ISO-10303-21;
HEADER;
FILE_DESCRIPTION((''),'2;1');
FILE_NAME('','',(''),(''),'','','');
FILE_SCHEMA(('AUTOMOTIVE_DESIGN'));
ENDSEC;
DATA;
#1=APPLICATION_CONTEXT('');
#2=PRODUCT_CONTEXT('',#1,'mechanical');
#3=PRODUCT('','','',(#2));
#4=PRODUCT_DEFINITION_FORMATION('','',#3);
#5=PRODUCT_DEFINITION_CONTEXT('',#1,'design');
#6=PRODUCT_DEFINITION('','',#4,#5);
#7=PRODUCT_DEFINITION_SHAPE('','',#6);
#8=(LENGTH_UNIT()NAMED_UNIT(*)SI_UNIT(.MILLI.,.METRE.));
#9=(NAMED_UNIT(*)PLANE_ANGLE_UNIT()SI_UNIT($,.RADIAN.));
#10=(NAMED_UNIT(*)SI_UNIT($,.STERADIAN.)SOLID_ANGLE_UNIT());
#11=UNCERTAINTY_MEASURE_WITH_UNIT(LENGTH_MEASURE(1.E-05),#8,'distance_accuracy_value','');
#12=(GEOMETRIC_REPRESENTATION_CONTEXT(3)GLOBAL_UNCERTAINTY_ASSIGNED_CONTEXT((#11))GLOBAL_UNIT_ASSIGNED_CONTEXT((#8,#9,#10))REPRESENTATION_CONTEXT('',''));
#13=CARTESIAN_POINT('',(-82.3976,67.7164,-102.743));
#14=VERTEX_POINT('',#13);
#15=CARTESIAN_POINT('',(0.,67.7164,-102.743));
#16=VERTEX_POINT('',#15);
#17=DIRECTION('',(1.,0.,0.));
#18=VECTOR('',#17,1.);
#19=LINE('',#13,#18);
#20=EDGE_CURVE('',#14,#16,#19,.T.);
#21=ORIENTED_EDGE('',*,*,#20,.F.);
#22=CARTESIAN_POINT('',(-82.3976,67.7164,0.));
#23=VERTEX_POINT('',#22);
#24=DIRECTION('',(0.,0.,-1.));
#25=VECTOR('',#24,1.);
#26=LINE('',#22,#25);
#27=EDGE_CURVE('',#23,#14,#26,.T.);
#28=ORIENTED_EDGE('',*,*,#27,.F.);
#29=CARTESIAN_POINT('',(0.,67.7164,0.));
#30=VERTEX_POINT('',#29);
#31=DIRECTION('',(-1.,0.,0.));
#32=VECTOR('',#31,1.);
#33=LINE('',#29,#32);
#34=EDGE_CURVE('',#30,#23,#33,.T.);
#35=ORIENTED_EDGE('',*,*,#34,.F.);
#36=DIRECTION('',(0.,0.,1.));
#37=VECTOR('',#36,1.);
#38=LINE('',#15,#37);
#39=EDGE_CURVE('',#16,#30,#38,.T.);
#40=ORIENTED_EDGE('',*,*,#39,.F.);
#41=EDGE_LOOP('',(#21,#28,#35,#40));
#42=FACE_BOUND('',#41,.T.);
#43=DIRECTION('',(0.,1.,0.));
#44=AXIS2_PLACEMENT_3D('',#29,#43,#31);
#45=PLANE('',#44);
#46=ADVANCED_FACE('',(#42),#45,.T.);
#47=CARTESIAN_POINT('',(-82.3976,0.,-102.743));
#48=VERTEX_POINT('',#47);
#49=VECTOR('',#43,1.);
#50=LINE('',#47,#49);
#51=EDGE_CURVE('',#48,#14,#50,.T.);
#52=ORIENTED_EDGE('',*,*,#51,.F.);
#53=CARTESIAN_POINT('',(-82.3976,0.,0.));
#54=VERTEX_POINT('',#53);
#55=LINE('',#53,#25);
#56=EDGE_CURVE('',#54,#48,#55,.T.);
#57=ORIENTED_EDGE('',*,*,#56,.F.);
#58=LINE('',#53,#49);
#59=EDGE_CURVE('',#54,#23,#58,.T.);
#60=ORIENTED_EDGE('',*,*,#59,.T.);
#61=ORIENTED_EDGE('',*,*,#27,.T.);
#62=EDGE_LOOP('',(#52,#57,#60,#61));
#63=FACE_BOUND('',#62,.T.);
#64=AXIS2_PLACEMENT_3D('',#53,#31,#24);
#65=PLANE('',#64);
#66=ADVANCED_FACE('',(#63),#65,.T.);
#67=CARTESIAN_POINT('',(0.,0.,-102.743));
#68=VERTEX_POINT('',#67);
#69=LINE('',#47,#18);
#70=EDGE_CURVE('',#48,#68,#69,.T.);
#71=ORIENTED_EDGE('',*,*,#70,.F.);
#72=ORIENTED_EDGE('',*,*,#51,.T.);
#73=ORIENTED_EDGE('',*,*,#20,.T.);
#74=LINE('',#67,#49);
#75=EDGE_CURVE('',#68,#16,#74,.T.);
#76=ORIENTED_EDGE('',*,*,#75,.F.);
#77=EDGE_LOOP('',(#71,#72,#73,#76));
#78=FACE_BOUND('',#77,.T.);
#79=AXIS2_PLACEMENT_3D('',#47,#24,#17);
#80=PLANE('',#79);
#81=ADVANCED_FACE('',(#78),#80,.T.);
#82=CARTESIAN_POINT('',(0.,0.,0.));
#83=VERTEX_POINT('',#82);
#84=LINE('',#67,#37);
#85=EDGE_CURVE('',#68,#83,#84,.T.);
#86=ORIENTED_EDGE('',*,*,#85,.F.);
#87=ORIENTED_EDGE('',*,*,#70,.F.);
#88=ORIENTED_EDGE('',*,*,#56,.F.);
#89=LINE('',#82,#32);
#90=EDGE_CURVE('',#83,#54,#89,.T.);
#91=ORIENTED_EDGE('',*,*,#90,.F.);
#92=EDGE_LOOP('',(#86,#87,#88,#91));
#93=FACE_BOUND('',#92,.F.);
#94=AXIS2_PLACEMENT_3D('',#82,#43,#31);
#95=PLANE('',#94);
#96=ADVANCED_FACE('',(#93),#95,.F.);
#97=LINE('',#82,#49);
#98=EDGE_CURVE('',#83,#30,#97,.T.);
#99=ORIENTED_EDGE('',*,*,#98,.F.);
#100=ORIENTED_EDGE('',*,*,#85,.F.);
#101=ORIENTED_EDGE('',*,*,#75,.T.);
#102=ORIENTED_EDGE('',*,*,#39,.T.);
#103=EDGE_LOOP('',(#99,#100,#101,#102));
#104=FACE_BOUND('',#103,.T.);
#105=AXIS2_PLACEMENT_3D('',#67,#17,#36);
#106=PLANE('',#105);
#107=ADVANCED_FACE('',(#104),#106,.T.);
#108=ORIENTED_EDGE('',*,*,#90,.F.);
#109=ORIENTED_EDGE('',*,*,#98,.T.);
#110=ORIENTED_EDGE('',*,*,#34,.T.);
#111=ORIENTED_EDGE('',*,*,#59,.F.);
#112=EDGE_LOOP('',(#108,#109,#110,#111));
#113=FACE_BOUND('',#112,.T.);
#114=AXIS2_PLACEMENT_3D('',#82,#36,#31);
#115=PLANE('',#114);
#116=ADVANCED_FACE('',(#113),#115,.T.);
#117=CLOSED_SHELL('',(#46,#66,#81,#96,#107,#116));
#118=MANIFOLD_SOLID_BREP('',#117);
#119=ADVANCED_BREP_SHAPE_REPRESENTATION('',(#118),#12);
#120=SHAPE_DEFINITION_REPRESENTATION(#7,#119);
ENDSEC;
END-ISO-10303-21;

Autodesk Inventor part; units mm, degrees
ref_plane "YZ Plane" through (0, 0, 0) normal (1, 0, 0) x (0, 1, 0)
ref_plane "XZ Plane" through (0, 0, 0) normal (0, 1, 0) x (-1, 0, 0)
ref_plane "XY Plane" through (0, 0, 0) normal (0, 0, 1) x (1, 0, 0)
sketch "Sketch1" plane through (0, 0, 0) normal (0, 1, 0) x (-1, 0, 0)
  line L0 (0, 0) -> (82.3976, 0)
  line L1 (82.3976, 0) -> (82.3976, -102.743)
  line L2 (82.3976, -102.743) -> (0, -102.743)
  line L3 (0, -102.743) -> (0, 0)
  dimension "d0" = 82.3976
  dimension "d1" = 102.743
extrude "Extrusion1" add sketch "Sketch1" along normal blind 67.7164
properties part number "Battery_Pack"
